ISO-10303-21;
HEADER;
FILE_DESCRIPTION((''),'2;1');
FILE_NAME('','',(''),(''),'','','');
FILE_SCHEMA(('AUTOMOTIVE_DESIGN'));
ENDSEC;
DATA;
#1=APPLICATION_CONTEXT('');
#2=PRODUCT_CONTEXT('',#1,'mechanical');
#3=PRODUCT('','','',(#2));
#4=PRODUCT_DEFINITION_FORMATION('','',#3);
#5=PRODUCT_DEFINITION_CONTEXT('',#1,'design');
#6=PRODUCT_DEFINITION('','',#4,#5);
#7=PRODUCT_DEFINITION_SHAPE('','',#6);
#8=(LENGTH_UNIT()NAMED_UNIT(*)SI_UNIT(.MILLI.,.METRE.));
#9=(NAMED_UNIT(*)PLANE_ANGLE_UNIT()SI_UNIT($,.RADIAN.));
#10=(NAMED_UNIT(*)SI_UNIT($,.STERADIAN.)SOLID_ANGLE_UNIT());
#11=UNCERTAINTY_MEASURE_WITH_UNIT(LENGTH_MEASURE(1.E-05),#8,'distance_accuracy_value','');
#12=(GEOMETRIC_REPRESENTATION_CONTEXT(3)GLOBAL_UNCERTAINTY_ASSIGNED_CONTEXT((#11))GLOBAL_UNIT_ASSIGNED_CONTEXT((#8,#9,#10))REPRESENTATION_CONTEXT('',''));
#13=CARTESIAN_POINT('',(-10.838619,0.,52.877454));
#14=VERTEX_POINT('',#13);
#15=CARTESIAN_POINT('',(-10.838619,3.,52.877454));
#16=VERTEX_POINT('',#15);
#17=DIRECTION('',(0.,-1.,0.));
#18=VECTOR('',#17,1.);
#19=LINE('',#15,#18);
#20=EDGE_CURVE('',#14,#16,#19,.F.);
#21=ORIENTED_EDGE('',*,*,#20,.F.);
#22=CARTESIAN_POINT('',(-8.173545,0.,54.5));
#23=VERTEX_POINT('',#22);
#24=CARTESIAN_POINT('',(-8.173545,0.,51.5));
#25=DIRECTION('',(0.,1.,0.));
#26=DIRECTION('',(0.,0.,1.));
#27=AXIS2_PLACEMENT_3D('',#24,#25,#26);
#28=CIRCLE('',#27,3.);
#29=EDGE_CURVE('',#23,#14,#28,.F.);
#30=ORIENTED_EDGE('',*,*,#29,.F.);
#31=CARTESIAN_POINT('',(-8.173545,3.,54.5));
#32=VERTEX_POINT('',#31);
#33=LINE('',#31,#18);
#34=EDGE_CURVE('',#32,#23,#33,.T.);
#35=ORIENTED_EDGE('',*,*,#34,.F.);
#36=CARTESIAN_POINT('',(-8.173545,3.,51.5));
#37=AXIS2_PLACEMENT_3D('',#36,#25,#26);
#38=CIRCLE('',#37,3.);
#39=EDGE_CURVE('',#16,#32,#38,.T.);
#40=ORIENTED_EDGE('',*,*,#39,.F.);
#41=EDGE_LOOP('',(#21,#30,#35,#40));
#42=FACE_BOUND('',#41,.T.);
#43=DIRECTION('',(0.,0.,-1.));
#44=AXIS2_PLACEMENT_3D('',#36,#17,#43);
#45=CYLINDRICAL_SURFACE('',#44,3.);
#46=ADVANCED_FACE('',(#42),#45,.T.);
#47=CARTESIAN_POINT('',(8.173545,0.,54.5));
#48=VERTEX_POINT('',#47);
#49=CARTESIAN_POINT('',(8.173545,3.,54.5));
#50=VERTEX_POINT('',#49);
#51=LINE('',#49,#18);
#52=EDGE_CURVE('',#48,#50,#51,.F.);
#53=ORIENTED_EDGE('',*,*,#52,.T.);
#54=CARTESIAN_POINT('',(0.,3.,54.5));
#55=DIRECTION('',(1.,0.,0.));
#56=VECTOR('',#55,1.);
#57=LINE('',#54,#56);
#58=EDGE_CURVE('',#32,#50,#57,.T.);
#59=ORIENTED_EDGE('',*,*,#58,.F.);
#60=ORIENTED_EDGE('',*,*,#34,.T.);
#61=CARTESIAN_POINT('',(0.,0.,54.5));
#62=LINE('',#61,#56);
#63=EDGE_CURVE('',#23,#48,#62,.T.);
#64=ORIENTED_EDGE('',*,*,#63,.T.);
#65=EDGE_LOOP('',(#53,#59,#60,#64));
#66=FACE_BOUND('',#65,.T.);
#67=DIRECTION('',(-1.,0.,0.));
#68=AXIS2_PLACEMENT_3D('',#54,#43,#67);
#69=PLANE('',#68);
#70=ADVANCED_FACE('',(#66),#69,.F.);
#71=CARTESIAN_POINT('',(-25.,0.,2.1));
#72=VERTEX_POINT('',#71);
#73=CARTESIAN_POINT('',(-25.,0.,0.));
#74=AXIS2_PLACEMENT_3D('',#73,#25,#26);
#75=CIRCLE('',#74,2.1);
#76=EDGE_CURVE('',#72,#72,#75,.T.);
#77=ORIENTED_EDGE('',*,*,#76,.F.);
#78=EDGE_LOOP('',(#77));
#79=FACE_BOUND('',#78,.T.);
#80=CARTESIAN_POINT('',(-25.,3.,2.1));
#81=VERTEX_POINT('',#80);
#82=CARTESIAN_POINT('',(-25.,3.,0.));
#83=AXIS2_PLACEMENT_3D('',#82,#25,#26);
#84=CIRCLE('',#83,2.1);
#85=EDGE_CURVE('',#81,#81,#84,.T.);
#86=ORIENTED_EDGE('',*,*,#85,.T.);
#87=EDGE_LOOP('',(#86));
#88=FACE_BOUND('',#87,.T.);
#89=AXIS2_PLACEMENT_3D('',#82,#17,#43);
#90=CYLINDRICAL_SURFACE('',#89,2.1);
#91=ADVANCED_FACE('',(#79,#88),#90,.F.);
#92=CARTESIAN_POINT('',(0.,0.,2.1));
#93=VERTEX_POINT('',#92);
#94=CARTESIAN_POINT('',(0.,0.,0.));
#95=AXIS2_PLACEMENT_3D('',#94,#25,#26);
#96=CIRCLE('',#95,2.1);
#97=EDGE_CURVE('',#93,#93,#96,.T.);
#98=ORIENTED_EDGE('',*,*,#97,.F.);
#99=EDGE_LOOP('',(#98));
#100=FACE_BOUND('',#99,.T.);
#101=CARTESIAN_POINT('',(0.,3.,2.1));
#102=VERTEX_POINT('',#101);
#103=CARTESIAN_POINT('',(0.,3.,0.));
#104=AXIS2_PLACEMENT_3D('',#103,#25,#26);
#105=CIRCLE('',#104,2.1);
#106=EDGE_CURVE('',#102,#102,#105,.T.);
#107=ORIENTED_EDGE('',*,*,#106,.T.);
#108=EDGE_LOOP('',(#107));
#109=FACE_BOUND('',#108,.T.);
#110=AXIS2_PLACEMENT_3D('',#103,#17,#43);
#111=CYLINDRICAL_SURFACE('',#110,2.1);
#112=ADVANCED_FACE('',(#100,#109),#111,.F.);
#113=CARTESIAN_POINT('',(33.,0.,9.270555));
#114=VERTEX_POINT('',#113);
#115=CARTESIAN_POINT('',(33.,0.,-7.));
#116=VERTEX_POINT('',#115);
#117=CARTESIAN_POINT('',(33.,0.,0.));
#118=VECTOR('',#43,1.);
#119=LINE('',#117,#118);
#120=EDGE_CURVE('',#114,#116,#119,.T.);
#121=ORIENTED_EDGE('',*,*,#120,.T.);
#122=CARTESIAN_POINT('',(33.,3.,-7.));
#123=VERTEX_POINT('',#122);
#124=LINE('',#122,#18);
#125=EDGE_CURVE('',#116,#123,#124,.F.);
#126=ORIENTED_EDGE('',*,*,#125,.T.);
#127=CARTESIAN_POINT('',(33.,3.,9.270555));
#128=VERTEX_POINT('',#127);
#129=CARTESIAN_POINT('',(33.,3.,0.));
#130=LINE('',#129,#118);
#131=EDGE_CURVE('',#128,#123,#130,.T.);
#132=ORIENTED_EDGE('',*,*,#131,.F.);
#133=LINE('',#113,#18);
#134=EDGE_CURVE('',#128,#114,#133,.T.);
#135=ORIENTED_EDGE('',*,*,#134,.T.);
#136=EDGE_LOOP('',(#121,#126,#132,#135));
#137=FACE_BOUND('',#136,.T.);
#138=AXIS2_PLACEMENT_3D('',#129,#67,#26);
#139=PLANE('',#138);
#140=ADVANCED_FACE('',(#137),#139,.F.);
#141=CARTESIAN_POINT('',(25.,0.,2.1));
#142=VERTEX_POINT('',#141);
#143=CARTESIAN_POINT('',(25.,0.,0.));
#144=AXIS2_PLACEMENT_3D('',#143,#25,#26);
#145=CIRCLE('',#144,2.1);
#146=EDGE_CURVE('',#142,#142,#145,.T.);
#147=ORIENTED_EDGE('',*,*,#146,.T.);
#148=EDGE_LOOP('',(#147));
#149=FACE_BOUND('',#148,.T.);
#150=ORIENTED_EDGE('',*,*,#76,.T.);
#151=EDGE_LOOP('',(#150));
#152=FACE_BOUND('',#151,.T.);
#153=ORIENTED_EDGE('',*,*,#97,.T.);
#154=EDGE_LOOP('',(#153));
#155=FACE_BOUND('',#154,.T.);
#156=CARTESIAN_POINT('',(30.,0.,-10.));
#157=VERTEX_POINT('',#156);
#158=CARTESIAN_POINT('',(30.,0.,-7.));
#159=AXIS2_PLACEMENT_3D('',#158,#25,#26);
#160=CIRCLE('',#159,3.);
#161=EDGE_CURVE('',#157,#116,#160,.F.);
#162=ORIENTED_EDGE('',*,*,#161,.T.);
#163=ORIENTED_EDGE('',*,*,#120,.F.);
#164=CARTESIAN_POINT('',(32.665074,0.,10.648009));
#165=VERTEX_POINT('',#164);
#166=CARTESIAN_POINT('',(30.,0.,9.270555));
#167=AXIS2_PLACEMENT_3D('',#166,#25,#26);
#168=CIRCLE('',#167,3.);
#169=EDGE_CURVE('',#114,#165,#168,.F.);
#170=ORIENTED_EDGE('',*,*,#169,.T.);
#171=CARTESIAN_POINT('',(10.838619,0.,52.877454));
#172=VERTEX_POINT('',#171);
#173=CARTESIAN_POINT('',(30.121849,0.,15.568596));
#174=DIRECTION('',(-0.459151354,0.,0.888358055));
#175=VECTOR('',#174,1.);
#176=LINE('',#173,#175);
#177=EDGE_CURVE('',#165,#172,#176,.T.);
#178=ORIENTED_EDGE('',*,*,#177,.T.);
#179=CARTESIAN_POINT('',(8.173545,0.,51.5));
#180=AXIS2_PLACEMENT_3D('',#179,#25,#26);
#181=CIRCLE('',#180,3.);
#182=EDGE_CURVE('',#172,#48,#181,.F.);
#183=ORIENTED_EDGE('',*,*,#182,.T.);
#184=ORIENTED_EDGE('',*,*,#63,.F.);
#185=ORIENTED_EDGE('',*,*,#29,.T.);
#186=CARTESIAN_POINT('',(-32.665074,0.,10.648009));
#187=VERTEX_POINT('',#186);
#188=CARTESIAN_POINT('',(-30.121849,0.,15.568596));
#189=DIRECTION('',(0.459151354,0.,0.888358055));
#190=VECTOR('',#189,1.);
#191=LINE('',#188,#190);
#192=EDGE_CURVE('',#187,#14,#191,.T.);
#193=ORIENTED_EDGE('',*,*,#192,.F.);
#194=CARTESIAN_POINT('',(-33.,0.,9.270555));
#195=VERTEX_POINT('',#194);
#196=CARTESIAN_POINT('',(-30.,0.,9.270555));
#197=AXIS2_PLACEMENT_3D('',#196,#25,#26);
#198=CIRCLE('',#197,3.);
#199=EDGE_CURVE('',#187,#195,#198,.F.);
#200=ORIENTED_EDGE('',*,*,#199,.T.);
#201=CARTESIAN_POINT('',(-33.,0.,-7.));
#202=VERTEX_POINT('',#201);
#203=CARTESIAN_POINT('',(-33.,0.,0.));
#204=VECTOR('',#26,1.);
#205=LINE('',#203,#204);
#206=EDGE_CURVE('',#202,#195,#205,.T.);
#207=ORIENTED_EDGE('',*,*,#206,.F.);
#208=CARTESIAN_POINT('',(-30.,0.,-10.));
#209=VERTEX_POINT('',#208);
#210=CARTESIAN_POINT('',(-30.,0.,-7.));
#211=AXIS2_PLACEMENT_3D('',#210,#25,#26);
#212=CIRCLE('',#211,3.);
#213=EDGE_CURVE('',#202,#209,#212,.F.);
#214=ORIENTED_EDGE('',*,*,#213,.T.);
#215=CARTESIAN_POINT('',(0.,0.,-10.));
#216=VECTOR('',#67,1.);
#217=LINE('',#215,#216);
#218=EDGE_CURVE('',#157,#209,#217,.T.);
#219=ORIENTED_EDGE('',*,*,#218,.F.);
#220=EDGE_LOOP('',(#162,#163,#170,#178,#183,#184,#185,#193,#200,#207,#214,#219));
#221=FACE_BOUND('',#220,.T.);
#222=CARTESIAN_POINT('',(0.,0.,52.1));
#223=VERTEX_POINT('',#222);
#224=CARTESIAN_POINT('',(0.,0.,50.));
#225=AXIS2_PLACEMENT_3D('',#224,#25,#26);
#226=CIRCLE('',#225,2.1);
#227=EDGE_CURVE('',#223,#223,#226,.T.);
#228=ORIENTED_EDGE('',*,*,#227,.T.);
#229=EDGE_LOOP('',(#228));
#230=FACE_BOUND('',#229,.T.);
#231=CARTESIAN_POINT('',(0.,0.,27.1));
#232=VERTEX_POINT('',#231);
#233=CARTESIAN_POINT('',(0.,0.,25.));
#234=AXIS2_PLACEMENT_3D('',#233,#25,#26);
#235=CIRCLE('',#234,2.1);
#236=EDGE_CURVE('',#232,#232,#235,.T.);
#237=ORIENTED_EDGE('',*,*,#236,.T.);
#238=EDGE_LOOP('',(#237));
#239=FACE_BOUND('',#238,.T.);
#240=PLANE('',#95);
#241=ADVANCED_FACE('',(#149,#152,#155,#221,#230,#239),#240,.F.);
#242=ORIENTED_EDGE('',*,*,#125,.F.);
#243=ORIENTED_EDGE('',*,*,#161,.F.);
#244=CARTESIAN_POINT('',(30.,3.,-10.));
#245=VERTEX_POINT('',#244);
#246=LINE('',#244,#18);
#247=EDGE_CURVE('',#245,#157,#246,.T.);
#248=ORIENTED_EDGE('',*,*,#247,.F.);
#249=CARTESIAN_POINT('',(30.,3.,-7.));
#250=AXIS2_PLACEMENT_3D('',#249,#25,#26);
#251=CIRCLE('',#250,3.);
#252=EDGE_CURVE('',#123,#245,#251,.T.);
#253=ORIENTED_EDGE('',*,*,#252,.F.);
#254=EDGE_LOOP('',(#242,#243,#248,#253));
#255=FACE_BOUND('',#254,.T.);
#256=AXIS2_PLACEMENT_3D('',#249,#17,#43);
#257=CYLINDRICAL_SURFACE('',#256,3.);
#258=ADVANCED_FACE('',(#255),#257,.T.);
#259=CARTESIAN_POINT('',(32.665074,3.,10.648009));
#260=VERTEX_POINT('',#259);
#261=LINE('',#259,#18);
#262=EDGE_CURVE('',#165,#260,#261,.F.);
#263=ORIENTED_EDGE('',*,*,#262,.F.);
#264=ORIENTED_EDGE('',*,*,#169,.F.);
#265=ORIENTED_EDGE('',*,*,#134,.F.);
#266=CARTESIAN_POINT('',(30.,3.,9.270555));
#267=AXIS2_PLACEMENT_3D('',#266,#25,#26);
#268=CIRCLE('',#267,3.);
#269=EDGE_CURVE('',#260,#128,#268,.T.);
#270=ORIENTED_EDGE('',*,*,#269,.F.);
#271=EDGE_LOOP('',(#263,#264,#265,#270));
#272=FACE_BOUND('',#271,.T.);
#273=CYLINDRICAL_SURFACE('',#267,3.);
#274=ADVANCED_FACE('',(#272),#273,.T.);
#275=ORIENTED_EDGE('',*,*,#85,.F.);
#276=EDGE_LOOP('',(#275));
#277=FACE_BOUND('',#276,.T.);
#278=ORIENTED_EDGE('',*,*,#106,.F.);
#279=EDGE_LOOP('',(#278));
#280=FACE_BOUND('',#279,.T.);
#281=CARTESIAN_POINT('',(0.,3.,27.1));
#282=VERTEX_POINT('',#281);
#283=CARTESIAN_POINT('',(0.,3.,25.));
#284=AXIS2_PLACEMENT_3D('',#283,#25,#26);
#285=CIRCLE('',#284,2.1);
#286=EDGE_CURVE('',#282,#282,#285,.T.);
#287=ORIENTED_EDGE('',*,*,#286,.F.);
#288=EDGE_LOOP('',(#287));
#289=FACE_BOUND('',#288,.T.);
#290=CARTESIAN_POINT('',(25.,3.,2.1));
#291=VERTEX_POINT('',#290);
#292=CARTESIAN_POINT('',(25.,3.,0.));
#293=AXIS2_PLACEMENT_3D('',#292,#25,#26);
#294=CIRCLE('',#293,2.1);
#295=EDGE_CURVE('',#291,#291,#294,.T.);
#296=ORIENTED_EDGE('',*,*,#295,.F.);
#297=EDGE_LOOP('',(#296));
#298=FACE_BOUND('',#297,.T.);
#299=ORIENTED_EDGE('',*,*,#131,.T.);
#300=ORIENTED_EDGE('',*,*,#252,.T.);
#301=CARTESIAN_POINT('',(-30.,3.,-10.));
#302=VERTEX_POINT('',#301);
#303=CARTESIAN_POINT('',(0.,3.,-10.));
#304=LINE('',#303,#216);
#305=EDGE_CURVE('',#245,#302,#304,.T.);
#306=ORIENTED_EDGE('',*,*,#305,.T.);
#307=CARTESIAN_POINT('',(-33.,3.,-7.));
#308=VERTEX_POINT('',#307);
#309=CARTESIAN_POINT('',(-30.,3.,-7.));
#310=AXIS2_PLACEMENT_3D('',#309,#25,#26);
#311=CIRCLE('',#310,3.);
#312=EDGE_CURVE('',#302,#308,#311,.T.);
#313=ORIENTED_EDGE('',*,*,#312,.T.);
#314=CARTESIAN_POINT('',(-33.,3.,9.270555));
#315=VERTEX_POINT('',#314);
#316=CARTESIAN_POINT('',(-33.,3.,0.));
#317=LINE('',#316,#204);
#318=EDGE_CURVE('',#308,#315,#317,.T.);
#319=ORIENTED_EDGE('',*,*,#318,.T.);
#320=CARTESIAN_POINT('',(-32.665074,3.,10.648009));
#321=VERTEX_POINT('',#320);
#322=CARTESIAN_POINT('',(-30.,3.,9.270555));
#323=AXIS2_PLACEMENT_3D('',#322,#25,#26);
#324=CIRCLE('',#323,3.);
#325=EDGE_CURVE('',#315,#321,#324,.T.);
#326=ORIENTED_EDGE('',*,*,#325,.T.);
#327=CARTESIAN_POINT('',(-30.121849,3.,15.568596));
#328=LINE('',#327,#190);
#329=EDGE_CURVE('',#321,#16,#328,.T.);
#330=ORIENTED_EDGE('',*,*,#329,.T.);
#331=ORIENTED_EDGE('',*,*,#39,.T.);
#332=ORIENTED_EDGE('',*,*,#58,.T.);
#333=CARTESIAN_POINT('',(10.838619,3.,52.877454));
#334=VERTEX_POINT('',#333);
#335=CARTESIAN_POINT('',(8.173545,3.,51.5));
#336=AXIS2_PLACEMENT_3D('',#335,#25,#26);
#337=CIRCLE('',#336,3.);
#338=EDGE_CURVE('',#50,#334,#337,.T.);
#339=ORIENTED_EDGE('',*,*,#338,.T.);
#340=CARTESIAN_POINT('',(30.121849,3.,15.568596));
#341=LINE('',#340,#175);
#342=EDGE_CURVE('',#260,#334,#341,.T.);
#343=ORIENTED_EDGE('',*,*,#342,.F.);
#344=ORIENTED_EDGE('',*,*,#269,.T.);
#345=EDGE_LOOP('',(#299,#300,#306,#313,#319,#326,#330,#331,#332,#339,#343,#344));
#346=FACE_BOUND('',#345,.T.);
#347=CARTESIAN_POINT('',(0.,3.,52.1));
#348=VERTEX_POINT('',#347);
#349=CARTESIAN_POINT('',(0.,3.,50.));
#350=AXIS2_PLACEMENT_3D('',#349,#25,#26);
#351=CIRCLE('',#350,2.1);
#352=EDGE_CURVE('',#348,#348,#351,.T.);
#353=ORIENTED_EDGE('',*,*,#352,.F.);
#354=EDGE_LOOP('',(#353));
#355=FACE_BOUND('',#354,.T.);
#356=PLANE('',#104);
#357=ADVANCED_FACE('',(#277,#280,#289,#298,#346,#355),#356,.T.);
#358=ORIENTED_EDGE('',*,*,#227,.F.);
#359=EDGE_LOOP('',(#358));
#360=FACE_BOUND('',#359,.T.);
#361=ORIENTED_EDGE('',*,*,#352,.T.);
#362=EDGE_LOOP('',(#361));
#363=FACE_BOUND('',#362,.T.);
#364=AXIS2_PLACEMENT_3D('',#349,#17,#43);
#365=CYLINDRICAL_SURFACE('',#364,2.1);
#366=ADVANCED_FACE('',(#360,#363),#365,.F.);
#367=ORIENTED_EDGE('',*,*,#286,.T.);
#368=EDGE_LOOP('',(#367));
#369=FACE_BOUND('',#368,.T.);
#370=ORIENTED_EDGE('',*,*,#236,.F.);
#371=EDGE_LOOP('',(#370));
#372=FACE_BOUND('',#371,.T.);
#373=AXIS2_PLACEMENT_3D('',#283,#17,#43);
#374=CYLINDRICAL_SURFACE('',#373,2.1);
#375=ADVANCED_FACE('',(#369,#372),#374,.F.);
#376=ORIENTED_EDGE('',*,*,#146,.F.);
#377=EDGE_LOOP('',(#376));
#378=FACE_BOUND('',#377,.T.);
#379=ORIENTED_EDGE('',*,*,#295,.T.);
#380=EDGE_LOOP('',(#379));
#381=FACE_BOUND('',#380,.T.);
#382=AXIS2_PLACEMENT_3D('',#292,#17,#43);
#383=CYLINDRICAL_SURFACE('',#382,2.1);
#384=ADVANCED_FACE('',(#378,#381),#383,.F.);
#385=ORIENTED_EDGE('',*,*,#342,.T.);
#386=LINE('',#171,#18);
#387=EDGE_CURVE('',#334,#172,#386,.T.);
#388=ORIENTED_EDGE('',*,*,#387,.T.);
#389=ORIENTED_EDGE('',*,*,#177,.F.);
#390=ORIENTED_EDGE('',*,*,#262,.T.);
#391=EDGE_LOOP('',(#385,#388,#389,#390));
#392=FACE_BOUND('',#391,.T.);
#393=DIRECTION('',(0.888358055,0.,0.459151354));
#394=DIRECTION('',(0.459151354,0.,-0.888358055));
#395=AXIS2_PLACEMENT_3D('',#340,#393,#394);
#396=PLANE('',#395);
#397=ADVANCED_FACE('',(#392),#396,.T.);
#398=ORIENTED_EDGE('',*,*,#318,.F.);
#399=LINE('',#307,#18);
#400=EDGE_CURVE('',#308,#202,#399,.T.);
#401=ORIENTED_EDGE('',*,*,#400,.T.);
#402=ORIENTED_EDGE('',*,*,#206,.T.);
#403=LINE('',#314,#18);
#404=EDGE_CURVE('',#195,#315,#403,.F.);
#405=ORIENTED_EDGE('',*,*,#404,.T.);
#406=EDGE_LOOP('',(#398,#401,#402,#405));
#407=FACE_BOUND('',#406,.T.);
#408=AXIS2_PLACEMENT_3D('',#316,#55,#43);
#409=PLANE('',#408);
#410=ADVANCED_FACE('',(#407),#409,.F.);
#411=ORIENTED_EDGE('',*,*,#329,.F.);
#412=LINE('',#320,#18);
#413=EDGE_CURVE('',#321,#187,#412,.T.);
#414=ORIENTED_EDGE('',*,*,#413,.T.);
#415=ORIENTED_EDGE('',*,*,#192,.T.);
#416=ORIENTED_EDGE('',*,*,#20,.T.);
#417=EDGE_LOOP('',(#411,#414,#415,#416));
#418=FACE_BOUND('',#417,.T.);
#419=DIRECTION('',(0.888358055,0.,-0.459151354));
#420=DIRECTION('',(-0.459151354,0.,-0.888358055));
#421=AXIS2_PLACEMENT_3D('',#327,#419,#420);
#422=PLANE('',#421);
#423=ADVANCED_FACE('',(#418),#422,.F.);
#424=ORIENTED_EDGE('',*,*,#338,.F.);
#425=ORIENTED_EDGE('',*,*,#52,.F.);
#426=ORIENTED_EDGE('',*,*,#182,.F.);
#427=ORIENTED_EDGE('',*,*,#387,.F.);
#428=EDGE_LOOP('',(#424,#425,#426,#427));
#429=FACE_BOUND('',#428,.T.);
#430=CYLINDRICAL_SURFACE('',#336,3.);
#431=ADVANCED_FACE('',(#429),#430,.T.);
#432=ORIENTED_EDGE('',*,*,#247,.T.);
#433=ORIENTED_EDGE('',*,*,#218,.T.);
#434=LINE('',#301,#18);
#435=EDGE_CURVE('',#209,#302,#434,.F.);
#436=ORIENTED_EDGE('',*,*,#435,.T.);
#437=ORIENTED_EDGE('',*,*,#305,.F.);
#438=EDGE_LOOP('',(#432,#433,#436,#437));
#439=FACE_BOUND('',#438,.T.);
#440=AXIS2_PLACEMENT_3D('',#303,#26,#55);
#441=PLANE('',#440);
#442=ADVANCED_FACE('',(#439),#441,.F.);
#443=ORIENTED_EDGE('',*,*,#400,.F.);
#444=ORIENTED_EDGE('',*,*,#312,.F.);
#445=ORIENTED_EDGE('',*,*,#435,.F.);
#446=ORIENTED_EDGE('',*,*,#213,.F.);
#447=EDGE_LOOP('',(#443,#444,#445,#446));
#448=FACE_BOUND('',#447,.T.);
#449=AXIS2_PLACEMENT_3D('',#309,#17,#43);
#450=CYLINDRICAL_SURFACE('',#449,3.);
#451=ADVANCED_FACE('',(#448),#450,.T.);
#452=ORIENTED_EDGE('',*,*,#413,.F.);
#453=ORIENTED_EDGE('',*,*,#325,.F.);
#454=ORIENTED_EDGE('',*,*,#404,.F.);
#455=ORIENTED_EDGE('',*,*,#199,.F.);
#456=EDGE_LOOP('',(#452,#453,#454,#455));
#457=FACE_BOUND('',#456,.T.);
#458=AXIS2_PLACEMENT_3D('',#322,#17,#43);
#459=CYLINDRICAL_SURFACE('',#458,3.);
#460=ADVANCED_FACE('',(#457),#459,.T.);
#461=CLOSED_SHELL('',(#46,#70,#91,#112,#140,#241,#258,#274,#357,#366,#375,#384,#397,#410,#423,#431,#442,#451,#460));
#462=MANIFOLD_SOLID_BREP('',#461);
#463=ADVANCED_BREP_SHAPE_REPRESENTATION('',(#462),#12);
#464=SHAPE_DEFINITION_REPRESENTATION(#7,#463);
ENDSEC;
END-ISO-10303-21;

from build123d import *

# Parameters (mm, degrees)
SKETCH_1_R      = 2.1
EXTRUDE_1_DEPTH = 3
FILLET_1_R      = 3


with BuildPart() as part:
    # 草图1 → 凸台-拉伸1 (new body)
    with BuildSketch(Plane(origin=(0, 0, 0), x_dir=(1, 0, 0), z_dir=(0, 1, 0))):
        Polygon((33, 10), (-33, 10), (-33, -10), (-10, -54.5), (10, -54.5), (33, -10), align=None)
        with Locations(Location((0, 0, 0), (0, 0, 270))):
            Circle(SKETCH_1_R, mode=Mode.SUBTRACT)
        with Locations(Location((25, 0, 0), (0, 0, 270))):
            Circle(SKETCH_1_R, mode=Mode.SUBTRACT)
        with Locations(Location((-25, 0, 0), (0, 0, 270))):
            Circle(SKETCH_1_R, mode=Mode.SUBTRACT)
        with Locations(Location((0, -25, 0), (0, 0, 270))):
            Circle(SKETCH_1_R, mode=Mode.SUBTRACT)
        with Locations(Location((0, -50, 0), (0, 0, 270))):
            Circle(SKETCH_1_R, mode=Mode.SUBTRACT)
    extrude(amount=EXTRUDE_1_DEPTH)

    # 圆角1
    fillet_1_edges = [part.edges().sort_by_distance(p)[0] for p in [
        (10, 1.5, 54.5),
        (-10, 1.5, 54.5),
        (-33, 1.5, 10),
        (-33, 1.5, -10),
        (33, 1.5, -10),
        (33, 1.5, 10),
    ]]
    fillet(fillet_1_edges, radius=FILLET_1_R)


solid = part.part
